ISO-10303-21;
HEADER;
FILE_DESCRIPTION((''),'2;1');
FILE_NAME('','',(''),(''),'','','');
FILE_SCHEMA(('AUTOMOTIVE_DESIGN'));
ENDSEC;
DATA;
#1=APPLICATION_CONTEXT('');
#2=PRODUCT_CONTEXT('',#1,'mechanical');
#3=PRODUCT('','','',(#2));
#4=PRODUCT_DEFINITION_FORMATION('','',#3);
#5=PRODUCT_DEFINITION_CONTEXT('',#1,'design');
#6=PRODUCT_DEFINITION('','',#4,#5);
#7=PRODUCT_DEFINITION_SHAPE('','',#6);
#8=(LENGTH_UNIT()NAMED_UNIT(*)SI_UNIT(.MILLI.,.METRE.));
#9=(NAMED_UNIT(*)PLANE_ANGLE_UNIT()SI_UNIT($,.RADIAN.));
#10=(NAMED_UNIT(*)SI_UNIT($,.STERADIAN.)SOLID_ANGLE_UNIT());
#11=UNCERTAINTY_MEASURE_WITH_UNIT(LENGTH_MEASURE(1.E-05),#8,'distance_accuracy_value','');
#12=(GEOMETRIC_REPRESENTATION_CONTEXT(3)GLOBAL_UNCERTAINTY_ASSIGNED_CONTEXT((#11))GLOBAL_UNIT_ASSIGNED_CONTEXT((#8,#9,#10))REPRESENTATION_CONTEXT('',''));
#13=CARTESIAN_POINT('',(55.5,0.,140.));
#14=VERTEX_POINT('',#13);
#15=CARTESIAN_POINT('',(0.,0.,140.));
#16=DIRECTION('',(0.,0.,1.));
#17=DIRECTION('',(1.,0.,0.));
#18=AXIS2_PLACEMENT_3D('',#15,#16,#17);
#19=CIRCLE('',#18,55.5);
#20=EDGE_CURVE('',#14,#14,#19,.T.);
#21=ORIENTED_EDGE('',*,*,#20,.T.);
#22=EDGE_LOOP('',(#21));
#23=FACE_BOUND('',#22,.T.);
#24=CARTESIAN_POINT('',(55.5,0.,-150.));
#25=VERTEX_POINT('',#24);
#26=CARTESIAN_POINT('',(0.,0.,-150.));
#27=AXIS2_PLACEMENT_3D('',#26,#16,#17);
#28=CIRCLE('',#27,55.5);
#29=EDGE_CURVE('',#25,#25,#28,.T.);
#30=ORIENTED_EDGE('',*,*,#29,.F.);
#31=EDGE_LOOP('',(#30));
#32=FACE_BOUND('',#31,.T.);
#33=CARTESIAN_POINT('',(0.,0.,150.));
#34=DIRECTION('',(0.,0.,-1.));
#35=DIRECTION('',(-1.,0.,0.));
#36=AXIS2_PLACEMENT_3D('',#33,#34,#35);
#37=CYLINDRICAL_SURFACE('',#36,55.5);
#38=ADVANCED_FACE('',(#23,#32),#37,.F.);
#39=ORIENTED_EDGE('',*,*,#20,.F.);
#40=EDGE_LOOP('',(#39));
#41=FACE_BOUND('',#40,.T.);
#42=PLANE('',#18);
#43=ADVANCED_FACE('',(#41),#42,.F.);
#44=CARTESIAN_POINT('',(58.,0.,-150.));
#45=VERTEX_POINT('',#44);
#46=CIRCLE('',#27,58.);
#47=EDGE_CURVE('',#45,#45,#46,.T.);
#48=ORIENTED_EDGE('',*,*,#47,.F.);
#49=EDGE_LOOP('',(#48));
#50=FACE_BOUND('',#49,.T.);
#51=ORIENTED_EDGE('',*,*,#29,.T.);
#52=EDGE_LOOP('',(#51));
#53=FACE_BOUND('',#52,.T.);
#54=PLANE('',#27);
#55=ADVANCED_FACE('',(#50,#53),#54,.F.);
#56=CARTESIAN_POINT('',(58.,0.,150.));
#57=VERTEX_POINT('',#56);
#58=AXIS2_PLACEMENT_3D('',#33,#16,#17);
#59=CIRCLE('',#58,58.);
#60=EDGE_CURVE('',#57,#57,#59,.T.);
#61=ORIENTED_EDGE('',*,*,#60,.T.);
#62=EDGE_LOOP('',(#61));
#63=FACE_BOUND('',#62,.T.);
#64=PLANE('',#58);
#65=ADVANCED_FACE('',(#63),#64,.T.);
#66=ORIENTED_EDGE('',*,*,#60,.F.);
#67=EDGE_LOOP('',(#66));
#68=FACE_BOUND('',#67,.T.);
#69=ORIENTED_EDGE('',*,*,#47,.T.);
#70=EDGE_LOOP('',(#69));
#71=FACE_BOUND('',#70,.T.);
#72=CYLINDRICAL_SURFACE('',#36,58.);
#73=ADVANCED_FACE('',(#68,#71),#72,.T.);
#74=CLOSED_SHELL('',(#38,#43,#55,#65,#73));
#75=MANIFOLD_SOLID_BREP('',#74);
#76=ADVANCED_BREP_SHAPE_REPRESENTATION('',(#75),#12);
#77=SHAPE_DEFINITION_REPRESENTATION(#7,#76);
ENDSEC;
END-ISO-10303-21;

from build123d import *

# Parameters (mm, degrees)
SKETCH_1_R      = 58
SKETCH_1_R_2    = 55.5
EXTRUDE_1_DEPTH = 150
SKETCH_2_R      = 58
EXTRUDE_2_DEPTH = 10


with BuildPart() as part:
    # Эскиз1 → Бобышка-Вытянуть1 (new, symmetric)
    with BuildSketch(Plane.XY):
        Circle(SKETCH_1_R)
        Circle(SKETCH_1_R_2, mode=Mode.SUBTRACT)
    extrude(amount=EXTRUDE_1_DEPTH, both=True)

    # Эскиз2 → Бобышка-Вытянуть2 (add)
    with BuildSketch(Plane.XY.offset(150)):
        Circle(SKETCH_2_R)
    extrude(amount=-EXTRUDE_2_DEPTH)


solid = part.part
